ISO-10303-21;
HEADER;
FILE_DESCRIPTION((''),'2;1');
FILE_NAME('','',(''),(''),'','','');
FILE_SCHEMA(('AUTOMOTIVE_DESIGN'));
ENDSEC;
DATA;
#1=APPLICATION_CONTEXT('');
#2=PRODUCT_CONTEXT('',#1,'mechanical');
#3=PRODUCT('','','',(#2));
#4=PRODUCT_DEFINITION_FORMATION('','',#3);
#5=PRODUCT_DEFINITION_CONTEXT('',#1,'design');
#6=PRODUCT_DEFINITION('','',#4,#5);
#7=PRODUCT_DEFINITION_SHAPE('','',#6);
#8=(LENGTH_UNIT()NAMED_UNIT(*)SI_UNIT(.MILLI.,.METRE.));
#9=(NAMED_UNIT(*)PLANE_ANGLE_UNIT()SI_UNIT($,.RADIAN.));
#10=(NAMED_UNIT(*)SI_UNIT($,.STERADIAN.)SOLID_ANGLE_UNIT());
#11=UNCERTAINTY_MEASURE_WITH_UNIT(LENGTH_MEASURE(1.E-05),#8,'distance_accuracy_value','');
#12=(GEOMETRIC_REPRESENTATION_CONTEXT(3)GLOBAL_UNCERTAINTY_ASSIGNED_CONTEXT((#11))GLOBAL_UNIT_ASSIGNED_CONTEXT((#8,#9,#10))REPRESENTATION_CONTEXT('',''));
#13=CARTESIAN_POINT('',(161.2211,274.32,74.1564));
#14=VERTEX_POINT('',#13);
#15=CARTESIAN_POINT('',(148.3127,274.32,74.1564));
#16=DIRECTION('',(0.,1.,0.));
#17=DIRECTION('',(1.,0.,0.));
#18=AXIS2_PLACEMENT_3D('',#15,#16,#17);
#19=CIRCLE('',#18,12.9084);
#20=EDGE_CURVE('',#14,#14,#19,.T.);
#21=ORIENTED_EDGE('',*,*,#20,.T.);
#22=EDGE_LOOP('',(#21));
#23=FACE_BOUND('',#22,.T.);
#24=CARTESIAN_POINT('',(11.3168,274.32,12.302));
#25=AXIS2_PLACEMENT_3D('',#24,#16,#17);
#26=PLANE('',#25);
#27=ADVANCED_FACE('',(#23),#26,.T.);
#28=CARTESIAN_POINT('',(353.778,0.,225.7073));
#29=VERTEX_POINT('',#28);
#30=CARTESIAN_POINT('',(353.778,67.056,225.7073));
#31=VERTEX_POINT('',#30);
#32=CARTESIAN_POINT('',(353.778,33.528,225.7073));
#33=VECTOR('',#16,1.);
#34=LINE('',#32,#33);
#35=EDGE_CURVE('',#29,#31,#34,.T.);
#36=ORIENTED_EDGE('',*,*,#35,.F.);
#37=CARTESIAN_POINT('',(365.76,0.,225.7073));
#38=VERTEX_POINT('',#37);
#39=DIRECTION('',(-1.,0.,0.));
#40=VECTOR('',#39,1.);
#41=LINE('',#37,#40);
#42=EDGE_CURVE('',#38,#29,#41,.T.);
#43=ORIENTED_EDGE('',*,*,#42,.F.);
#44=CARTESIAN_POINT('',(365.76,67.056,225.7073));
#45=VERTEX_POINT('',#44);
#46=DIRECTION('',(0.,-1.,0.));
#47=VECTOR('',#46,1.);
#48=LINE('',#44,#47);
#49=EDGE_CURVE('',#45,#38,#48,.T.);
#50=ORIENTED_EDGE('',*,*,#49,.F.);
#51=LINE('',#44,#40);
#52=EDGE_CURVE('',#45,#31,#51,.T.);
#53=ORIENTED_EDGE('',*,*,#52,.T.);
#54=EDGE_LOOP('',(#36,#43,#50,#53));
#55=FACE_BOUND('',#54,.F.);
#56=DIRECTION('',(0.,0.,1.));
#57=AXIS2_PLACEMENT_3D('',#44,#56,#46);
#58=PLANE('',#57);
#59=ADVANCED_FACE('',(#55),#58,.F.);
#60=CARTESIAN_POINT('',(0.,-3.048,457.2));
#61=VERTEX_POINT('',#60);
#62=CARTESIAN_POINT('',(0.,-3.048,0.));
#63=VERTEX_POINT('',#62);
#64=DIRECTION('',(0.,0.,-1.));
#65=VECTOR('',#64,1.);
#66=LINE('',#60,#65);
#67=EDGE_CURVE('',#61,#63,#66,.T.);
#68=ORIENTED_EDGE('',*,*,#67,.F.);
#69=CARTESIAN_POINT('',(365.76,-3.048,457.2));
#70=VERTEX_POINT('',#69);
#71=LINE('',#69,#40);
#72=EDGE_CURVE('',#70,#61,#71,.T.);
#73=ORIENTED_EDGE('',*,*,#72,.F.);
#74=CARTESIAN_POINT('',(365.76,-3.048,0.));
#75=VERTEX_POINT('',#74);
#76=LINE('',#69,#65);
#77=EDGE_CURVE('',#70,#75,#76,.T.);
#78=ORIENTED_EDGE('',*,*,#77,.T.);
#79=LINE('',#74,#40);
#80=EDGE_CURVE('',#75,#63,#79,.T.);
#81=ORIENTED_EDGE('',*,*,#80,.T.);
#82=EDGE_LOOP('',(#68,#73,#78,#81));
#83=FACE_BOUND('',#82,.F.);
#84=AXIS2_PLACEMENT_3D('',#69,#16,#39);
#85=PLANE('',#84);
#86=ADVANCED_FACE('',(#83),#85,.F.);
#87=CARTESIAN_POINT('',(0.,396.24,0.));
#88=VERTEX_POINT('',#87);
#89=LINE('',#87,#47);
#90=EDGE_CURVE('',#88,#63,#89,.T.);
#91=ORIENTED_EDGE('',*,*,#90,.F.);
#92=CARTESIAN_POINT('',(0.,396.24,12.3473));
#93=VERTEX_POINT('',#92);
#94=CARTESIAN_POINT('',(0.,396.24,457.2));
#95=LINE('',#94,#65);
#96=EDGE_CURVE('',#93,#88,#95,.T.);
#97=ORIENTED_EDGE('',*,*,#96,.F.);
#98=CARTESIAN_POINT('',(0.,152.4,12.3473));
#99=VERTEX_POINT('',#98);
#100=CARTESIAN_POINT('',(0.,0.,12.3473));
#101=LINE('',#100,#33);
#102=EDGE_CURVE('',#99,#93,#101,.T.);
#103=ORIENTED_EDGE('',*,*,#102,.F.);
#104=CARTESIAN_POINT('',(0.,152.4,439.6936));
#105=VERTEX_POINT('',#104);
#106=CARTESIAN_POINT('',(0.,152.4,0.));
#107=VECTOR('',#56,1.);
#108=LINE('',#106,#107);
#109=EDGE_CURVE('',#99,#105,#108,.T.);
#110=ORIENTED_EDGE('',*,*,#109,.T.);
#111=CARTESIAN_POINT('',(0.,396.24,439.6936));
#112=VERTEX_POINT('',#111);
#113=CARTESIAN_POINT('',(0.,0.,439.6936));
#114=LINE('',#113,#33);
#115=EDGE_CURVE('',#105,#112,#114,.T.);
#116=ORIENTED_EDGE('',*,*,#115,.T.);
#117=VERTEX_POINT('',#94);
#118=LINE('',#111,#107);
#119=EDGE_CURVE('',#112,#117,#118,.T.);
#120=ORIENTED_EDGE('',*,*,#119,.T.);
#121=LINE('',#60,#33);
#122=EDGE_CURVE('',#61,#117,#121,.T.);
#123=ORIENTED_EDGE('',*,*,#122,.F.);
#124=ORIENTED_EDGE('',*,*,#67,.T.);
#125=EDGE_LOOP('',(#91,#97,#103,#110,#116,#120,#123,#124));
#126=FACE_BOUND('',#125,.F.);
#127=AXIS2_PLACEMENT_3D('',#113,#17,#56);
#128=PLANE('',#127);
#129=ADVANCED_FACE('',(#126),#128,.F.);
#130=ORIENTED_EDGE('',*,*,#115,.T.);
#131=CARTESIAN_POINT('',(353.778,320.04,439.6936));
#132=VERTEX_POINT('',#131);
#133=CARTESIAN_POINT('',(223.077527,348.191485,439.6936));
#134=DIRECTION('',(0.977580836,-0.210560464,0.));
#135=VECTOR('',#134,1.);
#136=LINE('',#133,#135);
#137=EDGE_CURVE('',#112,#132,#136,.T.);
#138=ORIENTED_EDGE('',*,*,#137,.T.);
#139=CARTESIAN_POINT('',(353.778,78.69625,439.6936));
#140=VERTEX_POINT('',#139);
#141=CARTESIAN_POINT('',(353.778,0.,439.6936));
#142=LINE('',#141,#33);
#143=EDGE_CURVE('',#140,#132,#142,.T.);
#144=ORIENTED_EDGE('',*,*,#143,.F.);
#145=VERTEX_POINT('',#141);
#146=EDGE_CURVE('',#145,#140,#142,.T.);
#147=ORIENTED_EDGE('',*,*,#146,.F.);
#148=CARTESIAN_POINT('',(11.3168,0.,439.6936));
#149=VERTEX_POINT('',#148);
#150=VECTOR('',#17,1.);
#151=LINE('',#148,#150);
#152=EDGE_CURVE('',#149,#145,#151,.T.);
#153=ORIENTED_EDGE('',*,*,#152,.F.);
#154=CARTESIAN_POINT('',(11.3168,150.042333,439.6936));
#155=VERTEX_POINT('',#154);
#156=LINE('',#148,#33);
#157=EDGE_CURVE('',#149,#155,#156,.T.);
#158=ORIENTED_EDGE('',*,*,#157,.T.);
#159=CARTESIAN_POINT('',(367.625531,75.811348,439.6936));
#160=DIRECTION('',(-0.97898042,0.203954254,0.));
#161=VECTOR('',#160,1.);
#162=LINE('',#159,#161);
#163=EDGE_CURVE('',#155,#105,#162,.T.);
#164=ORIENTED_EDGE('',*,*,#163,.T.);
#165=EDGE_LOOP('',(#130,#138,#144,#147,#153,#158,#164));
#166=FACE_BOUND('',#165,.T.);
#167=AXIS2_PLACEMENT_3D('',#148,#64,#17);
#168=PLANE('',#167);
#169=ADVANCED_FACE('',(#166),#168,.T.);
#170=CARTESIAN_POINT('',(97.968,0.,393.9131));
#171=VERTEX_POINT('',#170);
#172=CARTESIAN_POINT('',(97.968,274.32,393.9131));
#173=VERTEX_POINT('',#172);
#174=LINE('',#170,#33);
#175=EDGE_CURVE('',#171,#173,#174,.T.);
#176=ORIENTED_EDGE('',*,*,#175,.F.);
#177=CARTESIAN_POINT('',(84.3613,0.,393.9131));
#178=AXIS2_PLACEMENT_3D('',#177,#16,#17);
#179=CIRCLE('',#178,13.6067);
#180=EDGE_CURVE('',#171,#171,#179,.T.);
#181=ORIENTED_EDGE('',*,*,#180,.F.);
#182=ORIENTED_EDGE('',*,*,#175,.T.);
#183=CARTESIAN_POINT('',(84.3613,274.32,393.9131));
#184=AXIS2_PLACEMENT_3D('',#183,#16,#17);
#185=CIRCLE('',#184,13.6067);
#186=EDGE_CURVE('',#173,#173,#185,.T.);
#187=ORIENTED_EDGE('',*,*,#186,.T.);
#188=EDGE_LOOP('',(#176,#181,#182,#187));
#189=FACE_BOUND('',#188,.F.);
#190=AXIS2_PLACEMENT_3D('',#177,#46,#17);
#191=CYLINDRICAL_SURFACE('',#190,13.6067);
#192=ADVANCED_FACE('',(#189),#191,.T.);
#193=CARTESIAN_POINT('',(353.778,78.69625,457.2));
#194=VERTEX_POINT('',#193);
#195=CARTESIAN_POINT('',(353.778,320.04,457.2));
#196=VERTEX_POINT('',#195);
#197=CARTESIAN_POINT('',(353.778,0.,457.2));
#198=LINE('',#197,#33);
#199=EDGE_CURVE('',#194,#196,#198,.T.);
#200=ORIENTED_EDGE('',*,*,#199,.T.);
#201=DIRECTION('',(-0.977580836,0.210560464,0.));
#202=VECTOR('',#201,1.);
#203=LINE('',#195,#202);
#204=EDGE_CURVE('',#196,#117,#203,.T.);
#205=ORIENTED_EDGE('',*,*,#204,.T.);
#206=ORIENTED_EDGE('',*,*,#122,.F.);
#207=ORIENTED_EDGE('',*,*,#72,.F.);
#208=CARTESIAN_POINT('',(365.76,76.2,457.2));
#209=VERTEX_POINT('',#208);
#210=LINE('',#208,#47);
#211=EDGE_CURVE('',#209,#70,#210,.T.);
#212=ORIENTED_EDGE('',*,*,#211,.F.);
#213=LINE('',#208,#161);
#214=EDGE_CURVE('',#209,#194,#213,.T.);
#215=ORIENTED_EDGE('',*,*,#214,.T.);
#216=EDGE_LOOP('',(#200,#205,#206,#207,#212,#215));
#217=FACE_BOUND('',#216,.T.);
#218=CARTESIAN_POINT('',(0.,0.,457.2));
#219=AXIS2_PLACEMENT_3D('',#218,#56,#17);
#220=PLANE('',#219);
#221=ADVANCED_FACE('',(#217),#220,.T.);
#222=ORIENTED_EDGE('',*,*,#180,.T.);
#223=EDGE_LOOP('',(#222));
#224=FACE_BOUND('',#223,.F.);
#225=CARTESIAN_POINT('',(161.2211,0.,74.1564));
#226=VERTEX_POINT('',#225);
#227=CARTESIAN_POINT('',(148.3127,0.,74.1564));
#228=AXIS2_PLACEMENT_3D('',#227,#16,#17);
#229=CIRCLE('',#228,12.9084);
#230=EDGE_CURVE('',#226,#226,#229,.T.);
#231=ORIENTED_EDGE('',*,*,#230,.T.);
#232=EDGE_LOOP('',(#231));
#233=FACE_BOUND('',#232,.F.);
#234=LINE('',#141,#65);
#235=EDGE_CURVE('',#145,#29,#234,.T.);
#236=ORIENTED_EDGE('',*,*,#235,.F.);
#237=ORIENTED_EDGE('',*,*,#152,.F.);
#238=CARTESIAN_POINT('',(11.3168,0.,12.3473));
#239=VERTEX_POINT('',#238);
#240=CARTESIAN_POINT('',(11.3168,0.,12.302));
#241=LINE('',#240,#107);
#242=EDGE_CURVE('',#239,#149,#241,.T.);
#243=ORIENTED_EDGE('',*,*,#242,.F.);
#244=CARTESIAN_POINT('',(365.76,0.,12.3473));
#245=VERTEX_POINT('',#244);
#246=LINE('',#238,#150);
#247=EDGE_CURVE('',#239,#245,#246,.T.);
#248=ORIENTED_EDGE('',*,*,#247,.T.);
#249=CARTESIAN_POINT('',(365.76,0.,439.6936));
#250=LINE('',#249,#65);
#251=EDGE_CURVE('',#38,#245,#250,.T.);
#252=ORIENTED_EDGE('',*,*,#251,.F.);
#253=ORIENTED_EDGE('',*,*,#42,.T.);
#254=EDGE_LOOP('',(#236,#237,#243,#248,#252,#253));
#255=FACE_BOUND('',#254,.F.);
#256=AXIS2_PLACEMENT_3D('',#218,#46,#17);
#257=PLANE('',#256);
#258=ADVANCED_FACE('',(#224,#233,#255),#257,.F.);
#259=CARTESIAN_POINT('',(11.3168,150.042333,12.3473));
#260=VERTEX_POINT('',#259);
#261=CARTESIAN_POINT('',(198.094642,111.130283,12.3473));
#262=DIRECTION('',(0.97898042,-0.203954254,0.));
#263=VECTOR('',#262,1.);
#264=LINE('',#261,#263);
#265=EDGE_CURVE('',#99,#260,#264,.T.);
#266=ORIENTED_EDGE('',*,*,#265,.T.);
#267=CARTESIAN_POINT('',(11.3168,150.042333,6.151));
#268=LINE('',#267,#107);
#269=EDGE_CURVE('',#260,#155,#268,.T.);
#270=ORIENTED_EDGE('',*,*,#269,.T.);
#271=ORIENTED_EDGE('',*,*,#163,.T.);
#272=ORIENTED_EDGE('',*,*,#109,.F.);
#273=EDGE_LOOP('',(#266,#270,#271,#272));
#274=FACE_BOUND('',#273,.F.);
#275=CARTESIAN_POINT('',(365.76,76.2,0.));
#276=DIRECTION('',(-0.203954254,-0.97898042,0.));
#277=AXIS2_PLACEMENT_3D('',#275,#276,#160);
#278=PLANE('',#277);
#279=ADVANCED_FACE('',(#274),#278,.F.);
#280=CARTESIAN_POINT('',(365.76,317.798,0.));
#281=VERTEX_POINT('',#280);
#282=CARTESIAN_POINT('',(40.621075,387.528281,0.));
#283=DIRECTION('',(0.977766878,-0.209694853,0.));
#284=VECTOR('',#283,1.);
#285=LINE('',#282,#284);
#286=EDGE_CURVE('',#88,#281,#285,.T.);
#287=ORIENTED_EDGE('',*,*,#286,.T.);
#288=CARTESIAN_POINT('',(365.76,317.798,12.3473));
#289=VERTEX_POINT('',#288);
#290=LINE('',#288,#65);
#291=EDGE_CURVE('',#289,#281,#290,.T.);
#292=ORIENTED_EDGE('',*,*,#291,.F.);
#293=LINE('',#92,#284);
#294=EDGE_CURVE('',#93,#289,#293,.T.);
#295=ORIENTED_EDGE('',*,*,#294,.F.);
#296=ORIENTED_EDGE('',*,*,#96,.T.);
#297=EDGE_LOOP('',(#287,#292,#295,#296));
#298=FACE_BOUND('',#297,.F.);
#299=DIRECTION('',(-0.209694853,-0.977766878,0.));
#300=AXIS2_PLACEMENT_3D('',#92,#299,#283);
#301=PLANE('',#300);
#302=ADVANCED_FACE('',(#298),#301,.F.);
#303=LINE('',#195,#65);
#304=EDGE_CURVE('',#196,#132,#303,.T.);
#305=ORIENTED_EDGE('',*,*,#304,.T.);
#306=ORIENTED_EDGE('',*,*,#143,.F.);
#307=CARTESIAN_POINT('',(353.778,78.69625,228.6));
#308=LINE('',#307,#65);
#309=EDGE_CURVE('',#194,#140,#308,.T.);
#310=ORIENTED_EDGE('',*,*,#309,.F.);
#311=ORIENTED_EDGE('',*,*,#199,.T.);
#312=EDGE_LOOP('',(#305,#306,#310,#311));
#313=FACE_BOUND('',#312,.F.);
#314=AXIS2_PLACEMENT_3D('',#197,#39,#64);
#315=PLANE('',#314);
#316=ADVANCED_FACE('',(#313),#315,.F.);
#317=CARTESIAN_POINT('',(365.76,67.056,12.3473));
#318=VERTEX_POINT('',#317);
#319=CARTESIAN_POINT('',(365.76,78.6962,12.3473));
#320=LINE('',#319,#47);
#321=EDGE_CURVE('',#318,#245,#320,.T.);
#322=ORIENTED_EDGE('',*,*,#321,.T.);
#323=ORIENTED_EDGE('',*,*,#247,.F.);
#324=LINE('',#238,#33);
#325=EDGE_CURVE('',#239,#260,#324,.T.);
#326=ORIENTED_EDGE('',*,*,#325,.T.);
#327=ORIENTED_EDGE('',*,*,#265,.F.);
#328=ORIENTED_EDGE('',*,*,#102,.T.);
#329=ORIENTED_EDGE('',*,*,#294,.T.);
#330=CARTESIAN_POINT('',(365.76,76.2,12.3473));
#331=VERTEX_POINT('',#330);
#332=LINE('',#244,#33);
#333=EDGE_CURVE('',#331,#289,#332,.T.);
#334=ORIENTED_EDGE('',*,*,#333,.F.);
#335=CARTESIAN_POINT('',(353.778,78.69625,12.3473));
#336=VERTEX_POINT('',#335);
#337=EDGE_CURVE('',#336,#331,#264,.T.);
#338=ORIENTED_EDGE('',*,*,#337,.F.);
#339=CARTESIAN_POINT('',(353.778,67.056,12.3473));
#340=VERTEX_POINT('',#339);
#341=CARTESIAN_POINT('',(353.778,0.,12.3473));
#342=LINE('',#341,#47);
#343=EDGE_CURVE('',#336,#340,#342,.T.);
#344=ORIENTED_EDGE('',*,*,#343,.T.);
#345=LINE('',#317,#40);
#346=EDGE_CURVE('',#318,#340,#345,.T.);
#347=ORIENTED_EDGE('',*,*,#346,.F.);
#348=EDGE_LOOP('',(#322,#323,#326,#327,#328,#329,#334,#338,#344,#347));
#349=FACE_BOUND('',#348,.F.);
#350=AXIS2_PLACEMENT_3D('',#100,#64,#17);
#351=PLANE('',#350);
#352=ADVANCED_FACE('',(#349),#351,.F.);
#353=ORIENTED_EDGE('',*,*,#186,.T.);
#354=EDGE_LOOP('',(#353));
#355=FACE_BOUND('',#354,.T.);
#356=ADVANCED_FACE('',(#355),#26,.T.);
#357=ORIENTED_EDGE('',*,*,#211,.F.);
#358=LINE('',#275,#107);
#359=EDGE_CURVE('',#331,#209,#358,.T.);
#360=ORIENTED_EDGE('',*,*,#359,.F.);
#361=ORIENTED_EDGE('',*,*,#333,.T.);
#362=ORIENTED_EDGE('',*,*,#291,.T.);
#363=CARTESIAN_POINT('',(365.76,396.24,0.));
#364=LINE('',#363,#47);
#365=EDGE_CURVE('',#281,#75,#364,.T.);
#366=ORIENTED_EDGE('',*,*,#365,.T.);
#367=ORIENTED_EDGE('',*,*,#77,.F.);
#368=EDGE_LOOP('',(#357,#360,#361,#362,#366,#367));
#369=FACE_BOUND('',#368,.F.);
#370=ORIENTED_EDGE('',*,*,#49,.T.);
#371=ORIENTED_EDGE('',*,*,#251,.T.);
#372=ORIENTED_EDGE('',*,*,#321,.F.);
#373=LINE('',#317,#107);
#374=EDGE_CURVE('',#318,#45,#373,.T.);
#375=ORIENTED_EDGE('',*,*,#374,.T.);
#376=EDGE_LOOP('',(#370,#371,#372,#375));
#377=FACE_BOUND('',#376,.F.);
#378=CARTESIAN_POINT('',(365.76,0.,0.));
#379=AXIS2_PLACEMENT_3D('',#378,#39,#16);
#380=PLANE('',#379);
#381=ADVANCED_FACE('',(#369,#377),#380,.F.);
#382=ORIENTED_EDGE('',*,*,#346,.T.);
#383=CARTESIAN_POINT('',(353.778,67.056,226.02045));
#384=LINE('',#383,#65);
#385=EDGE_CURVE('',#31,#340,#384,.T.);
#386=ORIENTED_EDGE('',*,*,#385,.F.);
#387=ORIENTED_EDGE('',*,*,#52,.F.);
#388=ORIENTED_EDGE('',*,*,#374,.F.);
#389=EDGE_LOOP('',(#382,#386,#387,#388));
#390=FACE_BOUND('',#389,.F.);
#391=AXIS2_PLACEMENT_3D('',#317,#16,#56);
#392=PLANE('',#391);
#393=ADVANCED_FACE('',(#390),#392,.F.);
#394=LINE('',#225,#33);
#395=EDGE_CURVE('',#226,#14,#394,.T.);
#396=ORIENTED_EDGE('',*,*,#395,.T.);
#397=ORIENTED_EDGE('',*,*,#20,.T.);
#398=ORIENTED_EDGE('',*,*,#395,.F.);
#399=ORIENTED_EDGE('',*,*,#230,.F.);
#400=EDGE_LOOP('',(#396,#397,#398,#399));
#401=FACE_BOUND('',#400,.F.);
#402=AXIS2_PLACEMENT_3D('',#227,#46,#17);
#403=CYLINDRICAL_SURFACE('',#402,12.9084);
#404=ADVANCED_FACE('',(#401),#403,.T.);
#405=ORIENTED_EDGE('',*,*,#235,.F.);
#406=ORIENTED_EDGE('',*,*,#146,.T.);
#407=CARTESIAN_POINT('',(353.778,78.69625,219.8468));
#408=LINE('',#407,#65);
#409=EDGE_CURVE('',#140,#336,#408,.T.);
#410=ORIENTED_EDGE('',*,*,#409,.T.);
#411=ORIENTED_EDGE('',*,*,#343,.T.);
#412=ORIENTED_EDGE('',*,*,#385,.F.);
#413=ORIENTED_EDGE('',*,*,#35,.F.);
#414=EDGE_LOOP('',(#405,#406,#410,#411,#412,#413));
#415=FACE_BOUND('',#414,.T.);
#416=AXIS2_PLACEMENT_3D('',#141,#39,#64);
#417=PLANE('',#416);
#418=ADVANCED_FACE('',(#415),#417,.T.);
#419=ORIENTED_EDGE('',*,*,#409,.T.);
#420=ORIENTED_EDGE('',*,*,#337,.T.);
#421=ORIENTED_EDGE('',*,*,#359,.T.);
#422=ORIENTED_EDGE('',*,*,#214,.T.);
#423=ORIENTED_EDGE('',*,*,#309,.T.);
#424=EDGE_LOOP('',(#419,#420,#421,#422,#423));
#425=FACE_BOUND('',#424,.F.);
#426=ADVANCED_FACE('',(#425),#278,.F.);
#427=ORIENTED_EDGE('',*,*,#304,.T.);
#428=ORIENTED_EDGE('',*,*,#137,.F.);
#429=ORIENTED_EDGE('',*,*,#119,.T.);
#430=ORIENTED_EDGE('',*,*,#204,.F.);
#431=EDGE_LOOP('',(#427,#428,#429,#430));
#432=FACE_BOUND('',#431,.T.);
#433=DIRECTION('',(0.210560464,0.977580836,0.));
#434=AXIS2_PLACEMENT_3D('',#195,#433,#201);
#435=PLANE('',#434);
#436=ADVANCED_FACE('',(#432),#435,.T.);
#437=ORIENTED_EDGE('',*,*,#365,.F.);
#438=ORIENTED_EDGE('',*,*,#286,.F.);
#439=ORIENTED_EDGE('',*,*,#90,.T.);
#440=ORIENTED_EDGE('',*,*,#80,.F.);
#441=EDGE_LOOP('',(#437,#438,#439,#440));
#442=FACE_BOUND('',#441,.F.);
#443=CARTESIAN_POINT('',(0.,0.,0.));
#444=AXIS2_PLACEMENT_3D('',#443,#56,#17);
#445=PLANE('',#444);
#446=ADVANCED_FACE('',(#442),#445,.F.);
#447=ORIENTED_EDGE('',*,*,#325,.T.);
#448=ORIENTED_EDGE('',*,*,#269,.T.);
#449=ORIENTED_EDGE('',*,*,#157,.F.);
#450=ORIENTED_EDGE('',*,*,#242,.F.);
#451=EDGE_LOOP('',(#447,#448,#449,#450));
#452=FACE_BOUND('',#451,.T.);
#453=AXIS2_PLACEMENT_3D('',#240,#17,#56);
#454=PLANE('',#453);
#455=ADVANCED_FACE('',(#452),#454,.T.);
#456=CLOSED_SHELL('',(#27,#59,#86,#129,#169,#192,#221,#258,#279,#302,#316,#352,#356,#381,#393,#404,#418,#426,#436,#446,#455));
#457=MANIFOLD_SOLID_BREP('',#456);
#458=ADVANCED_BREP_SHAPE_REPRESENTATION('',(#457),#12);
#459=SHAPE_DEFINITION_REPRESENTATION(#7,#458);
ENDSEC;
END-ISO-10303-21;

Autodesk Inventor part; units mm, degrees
ref_plane "YZ Plane" through (0, 0, 0) normal (1, 0, 0) x (0, 1, 0)
ref_plane "XZ Plane" through (0, 0, 0) normal (0, 1, 0) x (-1, 0, 0)
ref_plane "XY Plane" through (0, 0, 0) normal (0, 0, 1) x (1, 0, 0)
sketch "Sketch1" plane through (0, 0, 0) normal (0, 0, 1) x (1, 0, 0)
  line L0 (0, 0) -> (0, 152.4)
  line L1 (0, 0) -> (365.76, 0)
  line L2 (365.76, 0) -> (365.76, 76.2)
  line L3 (365.76, 76.2) -> (0, 152.4)
  line L4 (3.048, 0) -> (6.929, 0)
  dimension "d0" = 152.4
  dimension "d1" = 365.76
extrude "Extrusion1" add sketch "Sketch1" along normal blind 457.2
sketch "Sketch2" plane through (0, 0, 0) normal (0, -1, 0) x (1, 0, 0)
  line L0 (11.3168, 439.6936) -> (353.778, 439.6936)
  line L1 (353.778, 439.6936) -> (353.778, 12.302)
  line L2 (353.778, 12.302) -> (11.3168, 12.302)
  line L3 (11.3168, 12.302) -> (11.3168, 439.6936)
  point P0 (0, 0)
extrude "Extrusion2" cut sketch "Sketch2" against normal blind 426.72
sketch "Sketch3" plane through (0, 0, 457.2) normal (0, 0, 1) x (1, 0, 0)
  line L0 (0, 0) -> (365.76, 0) projected
  line L1 (0, 0) -> (365.76, 0)
  line L2 (365.76, 0) -> (365.76, -3.048)
  line L3 (365.76, -3.048) -> (0, -3.048)
  line L4 (0, -3.048) -> (0, 0)
  dimension "d6" = 3.048
extrude "Extrusion3" add sketch "Sketch3" against normal blind 457.2
sketch "Sketch4" plane through (365.76, 76.2, 457.2) normal (1, 0, 0) x (0, 0, -1)
  point P0 (457.2, -76.2)
sketch "Sketch5" plane through (365.76, 76.2, 457.2) normal (1, 0, 0) x (0, 0, -1)
  line L0 (0, -79.248) -> (0, 0) projected
  line L1 (457.2, 0) -> (457.2, -79.248) projected
  line L2 (457.2, 0) -> (457.2, 76.2) projected
  line L3 (457.2, 0) -> (441.96, 0)
  line L4 (457.2, 0) -> (0, 0) projected
  line L5 (17.5064, -76.2) -> (444.898, -76.2) projected
  line L6 (441.96, 0) -> (228.6, 0)
  line L7 (228.6, 0) -> (228.6, -76.2)
  line L8 (228.6, -76.2) -> (441.96, -76.2)
  line L9 (441.96, -76.2) -> (441.96, 0)
  point P0 (457.2, -76.2)
  dimension "d24" = 15.24
  dimension "d25" = 213.36
extrude "Extrusion4" [suppressed]
sketch "Sketch6" plane through (365.76, -3.048, 457.2) normal (1, 0, 0) x (0, 0, -1)
  point P0 (457.2, 3.048)
sketch "Sketch7" plane through (11.3168, 0, 12.302) normal (0, 1, 0) x (1, 0, 0)
  circle A0 centre (73.0445, -381.6111) radius 13.6067
  circle A1 centre (136.9959, -61.8544) radius 12.9084
  point P0 (-11.3168, 12.302)
extrude "Extrusion5" add sketch "Sketch7" along normal blind 274.32
sketch "Sketch8" plane through (0, 0, 457.2) normal (0, 0, 1) x (1, 0, 0)
  point P0 (0, 0)
sketch "Sketch9" plane through (11.3168, 0, 12.302) normal (0, 1, 0) x (1, 0, 0)
  line L0 (354.4432, -444.898) -> (-11.3168, -444.898) projected
  line L1 (-11.3168, -444.898) -> (342.4612, -444.898)
  line L2 (342.4612, -444.898) -> (342.4612, -427.3916)
  line L3 (342.4612, -427.3916) -> (-11.3168, -427.3916)
  line L4 (-11.3168, -427.3916) -> (-11.3168, -444.898)
  point P0 (-11.3168, 12.302)
extrude "Extrusion6" add sketch "Sketch9" along normal blind 396.24
sketch "Sketch10" plane through (0, 0, 457.2) normal (0, 0, 1) x (1, 0, 0)
  line L0 (0, 396.24) -> (0, -3.048) projected
  line L1 (353.778, 396.24) -> (0, 396.24) projected
  line L2 (0, 396.24) -> (353.778, 396.24)
  line L3 (353.778, 78.6962) -> (353.778, 396.24) projected
  line L4 (353.778, 396.24) -> (353.778, 320.04)
  line L5 (353.778, 320.04) -> (0, 396.24)
  point P0 (0, 0)
  dimension "d17" = 76.2
extrude "Extrusion7" cut sketch "Sketch10" against normal blind 3048
sketch "Sketch11" plane through (11.3168, 0, 12.302) normal (0, 1, 0) x (1, 0, 0)
  line L0 (-11.3168, -444.898) -> (-11.3168, 12.302) projected
  line L1 (354.4432, -444.898) -> (354.4432, 12.302) projected
  line L2 (-11.3168, -0.0453) -> (354.4432, -0.0453)
  line L3 (354.4432, -0.0453) -> (354.4432, 12.302)
  line L4 (354.4432, 12.302) -> (-11.3168, 12.302)
  line L5 (-11.3168, 12.302) -> (-11.3168, -0.0453)
  point P0 (354.4432, -109.618)
extrude "Extrusion8" add sketch "Sketch11" along normal blind 396.24
sketch "Sketch12" plane through (11.3168, 0, 12.3473) normal (0, 0, 1) x (1, 0, 0)
  line L0 (354.4432, 396.24) -> (-11.3168, 396.24) projected
  line L1 (-11.3168, 396.24) -> (354.4432, 317.798)
  line L2 (354.4432, 396.24) -> (354.4432, -3.048) projected
  line L3 (-11.3168, 396.24) -> (342.4612, 320.04) projected
  line L4 (354.4432, 396.24) -> (-11.3168, 396.24)
  point P0 (-11.3168, 0)
extrude "Extrusion9" cut sketch "Sketch12" against normal blind 3048
sketch "Sketch13" plane through (353.778, 0, 439.6936) normal (0, 0, -1) x (-1, 0, 0)
  point P0 (353.778, 0)
sketch "Sketch14" plane through (353.778, 0, 439.6936) normal (0, 0, -1) x (-1, 0, 0)
  point P0 (353.778, 0)
sketch "Sketch15" plane through (365.76, -3.048, 457.2) normal (1, 0, 0) x (0, 0, -1)
  line L0 (444.8527, 79.248) -> (0, 79.248) projected
  line L1 (444.8527, 81.7442) -> (444.8527, 3.048) projected
  line L2 (17.5064, 3.048) -> (444.8527, 3.048) projected
  line L3 (444.8527, 70.104) -> (231.4927, 70.104)
  line L4 (231.4927, 70.104) -> (231.4927, 3.048)
  line L5 (231.4927, 3.048) -> (444.8527, 3.048)
  line L6 (444.8527, 3.048) -> (444.8527, 70.104)
  point P0 (457.2, 3.048)
  dimension "d26" = 9.144
  dimension "d27" = 213.36
extrude "Extrusion10" cut sketch "Sketch15" against normal blind 25.4
properties part number "new base part"
